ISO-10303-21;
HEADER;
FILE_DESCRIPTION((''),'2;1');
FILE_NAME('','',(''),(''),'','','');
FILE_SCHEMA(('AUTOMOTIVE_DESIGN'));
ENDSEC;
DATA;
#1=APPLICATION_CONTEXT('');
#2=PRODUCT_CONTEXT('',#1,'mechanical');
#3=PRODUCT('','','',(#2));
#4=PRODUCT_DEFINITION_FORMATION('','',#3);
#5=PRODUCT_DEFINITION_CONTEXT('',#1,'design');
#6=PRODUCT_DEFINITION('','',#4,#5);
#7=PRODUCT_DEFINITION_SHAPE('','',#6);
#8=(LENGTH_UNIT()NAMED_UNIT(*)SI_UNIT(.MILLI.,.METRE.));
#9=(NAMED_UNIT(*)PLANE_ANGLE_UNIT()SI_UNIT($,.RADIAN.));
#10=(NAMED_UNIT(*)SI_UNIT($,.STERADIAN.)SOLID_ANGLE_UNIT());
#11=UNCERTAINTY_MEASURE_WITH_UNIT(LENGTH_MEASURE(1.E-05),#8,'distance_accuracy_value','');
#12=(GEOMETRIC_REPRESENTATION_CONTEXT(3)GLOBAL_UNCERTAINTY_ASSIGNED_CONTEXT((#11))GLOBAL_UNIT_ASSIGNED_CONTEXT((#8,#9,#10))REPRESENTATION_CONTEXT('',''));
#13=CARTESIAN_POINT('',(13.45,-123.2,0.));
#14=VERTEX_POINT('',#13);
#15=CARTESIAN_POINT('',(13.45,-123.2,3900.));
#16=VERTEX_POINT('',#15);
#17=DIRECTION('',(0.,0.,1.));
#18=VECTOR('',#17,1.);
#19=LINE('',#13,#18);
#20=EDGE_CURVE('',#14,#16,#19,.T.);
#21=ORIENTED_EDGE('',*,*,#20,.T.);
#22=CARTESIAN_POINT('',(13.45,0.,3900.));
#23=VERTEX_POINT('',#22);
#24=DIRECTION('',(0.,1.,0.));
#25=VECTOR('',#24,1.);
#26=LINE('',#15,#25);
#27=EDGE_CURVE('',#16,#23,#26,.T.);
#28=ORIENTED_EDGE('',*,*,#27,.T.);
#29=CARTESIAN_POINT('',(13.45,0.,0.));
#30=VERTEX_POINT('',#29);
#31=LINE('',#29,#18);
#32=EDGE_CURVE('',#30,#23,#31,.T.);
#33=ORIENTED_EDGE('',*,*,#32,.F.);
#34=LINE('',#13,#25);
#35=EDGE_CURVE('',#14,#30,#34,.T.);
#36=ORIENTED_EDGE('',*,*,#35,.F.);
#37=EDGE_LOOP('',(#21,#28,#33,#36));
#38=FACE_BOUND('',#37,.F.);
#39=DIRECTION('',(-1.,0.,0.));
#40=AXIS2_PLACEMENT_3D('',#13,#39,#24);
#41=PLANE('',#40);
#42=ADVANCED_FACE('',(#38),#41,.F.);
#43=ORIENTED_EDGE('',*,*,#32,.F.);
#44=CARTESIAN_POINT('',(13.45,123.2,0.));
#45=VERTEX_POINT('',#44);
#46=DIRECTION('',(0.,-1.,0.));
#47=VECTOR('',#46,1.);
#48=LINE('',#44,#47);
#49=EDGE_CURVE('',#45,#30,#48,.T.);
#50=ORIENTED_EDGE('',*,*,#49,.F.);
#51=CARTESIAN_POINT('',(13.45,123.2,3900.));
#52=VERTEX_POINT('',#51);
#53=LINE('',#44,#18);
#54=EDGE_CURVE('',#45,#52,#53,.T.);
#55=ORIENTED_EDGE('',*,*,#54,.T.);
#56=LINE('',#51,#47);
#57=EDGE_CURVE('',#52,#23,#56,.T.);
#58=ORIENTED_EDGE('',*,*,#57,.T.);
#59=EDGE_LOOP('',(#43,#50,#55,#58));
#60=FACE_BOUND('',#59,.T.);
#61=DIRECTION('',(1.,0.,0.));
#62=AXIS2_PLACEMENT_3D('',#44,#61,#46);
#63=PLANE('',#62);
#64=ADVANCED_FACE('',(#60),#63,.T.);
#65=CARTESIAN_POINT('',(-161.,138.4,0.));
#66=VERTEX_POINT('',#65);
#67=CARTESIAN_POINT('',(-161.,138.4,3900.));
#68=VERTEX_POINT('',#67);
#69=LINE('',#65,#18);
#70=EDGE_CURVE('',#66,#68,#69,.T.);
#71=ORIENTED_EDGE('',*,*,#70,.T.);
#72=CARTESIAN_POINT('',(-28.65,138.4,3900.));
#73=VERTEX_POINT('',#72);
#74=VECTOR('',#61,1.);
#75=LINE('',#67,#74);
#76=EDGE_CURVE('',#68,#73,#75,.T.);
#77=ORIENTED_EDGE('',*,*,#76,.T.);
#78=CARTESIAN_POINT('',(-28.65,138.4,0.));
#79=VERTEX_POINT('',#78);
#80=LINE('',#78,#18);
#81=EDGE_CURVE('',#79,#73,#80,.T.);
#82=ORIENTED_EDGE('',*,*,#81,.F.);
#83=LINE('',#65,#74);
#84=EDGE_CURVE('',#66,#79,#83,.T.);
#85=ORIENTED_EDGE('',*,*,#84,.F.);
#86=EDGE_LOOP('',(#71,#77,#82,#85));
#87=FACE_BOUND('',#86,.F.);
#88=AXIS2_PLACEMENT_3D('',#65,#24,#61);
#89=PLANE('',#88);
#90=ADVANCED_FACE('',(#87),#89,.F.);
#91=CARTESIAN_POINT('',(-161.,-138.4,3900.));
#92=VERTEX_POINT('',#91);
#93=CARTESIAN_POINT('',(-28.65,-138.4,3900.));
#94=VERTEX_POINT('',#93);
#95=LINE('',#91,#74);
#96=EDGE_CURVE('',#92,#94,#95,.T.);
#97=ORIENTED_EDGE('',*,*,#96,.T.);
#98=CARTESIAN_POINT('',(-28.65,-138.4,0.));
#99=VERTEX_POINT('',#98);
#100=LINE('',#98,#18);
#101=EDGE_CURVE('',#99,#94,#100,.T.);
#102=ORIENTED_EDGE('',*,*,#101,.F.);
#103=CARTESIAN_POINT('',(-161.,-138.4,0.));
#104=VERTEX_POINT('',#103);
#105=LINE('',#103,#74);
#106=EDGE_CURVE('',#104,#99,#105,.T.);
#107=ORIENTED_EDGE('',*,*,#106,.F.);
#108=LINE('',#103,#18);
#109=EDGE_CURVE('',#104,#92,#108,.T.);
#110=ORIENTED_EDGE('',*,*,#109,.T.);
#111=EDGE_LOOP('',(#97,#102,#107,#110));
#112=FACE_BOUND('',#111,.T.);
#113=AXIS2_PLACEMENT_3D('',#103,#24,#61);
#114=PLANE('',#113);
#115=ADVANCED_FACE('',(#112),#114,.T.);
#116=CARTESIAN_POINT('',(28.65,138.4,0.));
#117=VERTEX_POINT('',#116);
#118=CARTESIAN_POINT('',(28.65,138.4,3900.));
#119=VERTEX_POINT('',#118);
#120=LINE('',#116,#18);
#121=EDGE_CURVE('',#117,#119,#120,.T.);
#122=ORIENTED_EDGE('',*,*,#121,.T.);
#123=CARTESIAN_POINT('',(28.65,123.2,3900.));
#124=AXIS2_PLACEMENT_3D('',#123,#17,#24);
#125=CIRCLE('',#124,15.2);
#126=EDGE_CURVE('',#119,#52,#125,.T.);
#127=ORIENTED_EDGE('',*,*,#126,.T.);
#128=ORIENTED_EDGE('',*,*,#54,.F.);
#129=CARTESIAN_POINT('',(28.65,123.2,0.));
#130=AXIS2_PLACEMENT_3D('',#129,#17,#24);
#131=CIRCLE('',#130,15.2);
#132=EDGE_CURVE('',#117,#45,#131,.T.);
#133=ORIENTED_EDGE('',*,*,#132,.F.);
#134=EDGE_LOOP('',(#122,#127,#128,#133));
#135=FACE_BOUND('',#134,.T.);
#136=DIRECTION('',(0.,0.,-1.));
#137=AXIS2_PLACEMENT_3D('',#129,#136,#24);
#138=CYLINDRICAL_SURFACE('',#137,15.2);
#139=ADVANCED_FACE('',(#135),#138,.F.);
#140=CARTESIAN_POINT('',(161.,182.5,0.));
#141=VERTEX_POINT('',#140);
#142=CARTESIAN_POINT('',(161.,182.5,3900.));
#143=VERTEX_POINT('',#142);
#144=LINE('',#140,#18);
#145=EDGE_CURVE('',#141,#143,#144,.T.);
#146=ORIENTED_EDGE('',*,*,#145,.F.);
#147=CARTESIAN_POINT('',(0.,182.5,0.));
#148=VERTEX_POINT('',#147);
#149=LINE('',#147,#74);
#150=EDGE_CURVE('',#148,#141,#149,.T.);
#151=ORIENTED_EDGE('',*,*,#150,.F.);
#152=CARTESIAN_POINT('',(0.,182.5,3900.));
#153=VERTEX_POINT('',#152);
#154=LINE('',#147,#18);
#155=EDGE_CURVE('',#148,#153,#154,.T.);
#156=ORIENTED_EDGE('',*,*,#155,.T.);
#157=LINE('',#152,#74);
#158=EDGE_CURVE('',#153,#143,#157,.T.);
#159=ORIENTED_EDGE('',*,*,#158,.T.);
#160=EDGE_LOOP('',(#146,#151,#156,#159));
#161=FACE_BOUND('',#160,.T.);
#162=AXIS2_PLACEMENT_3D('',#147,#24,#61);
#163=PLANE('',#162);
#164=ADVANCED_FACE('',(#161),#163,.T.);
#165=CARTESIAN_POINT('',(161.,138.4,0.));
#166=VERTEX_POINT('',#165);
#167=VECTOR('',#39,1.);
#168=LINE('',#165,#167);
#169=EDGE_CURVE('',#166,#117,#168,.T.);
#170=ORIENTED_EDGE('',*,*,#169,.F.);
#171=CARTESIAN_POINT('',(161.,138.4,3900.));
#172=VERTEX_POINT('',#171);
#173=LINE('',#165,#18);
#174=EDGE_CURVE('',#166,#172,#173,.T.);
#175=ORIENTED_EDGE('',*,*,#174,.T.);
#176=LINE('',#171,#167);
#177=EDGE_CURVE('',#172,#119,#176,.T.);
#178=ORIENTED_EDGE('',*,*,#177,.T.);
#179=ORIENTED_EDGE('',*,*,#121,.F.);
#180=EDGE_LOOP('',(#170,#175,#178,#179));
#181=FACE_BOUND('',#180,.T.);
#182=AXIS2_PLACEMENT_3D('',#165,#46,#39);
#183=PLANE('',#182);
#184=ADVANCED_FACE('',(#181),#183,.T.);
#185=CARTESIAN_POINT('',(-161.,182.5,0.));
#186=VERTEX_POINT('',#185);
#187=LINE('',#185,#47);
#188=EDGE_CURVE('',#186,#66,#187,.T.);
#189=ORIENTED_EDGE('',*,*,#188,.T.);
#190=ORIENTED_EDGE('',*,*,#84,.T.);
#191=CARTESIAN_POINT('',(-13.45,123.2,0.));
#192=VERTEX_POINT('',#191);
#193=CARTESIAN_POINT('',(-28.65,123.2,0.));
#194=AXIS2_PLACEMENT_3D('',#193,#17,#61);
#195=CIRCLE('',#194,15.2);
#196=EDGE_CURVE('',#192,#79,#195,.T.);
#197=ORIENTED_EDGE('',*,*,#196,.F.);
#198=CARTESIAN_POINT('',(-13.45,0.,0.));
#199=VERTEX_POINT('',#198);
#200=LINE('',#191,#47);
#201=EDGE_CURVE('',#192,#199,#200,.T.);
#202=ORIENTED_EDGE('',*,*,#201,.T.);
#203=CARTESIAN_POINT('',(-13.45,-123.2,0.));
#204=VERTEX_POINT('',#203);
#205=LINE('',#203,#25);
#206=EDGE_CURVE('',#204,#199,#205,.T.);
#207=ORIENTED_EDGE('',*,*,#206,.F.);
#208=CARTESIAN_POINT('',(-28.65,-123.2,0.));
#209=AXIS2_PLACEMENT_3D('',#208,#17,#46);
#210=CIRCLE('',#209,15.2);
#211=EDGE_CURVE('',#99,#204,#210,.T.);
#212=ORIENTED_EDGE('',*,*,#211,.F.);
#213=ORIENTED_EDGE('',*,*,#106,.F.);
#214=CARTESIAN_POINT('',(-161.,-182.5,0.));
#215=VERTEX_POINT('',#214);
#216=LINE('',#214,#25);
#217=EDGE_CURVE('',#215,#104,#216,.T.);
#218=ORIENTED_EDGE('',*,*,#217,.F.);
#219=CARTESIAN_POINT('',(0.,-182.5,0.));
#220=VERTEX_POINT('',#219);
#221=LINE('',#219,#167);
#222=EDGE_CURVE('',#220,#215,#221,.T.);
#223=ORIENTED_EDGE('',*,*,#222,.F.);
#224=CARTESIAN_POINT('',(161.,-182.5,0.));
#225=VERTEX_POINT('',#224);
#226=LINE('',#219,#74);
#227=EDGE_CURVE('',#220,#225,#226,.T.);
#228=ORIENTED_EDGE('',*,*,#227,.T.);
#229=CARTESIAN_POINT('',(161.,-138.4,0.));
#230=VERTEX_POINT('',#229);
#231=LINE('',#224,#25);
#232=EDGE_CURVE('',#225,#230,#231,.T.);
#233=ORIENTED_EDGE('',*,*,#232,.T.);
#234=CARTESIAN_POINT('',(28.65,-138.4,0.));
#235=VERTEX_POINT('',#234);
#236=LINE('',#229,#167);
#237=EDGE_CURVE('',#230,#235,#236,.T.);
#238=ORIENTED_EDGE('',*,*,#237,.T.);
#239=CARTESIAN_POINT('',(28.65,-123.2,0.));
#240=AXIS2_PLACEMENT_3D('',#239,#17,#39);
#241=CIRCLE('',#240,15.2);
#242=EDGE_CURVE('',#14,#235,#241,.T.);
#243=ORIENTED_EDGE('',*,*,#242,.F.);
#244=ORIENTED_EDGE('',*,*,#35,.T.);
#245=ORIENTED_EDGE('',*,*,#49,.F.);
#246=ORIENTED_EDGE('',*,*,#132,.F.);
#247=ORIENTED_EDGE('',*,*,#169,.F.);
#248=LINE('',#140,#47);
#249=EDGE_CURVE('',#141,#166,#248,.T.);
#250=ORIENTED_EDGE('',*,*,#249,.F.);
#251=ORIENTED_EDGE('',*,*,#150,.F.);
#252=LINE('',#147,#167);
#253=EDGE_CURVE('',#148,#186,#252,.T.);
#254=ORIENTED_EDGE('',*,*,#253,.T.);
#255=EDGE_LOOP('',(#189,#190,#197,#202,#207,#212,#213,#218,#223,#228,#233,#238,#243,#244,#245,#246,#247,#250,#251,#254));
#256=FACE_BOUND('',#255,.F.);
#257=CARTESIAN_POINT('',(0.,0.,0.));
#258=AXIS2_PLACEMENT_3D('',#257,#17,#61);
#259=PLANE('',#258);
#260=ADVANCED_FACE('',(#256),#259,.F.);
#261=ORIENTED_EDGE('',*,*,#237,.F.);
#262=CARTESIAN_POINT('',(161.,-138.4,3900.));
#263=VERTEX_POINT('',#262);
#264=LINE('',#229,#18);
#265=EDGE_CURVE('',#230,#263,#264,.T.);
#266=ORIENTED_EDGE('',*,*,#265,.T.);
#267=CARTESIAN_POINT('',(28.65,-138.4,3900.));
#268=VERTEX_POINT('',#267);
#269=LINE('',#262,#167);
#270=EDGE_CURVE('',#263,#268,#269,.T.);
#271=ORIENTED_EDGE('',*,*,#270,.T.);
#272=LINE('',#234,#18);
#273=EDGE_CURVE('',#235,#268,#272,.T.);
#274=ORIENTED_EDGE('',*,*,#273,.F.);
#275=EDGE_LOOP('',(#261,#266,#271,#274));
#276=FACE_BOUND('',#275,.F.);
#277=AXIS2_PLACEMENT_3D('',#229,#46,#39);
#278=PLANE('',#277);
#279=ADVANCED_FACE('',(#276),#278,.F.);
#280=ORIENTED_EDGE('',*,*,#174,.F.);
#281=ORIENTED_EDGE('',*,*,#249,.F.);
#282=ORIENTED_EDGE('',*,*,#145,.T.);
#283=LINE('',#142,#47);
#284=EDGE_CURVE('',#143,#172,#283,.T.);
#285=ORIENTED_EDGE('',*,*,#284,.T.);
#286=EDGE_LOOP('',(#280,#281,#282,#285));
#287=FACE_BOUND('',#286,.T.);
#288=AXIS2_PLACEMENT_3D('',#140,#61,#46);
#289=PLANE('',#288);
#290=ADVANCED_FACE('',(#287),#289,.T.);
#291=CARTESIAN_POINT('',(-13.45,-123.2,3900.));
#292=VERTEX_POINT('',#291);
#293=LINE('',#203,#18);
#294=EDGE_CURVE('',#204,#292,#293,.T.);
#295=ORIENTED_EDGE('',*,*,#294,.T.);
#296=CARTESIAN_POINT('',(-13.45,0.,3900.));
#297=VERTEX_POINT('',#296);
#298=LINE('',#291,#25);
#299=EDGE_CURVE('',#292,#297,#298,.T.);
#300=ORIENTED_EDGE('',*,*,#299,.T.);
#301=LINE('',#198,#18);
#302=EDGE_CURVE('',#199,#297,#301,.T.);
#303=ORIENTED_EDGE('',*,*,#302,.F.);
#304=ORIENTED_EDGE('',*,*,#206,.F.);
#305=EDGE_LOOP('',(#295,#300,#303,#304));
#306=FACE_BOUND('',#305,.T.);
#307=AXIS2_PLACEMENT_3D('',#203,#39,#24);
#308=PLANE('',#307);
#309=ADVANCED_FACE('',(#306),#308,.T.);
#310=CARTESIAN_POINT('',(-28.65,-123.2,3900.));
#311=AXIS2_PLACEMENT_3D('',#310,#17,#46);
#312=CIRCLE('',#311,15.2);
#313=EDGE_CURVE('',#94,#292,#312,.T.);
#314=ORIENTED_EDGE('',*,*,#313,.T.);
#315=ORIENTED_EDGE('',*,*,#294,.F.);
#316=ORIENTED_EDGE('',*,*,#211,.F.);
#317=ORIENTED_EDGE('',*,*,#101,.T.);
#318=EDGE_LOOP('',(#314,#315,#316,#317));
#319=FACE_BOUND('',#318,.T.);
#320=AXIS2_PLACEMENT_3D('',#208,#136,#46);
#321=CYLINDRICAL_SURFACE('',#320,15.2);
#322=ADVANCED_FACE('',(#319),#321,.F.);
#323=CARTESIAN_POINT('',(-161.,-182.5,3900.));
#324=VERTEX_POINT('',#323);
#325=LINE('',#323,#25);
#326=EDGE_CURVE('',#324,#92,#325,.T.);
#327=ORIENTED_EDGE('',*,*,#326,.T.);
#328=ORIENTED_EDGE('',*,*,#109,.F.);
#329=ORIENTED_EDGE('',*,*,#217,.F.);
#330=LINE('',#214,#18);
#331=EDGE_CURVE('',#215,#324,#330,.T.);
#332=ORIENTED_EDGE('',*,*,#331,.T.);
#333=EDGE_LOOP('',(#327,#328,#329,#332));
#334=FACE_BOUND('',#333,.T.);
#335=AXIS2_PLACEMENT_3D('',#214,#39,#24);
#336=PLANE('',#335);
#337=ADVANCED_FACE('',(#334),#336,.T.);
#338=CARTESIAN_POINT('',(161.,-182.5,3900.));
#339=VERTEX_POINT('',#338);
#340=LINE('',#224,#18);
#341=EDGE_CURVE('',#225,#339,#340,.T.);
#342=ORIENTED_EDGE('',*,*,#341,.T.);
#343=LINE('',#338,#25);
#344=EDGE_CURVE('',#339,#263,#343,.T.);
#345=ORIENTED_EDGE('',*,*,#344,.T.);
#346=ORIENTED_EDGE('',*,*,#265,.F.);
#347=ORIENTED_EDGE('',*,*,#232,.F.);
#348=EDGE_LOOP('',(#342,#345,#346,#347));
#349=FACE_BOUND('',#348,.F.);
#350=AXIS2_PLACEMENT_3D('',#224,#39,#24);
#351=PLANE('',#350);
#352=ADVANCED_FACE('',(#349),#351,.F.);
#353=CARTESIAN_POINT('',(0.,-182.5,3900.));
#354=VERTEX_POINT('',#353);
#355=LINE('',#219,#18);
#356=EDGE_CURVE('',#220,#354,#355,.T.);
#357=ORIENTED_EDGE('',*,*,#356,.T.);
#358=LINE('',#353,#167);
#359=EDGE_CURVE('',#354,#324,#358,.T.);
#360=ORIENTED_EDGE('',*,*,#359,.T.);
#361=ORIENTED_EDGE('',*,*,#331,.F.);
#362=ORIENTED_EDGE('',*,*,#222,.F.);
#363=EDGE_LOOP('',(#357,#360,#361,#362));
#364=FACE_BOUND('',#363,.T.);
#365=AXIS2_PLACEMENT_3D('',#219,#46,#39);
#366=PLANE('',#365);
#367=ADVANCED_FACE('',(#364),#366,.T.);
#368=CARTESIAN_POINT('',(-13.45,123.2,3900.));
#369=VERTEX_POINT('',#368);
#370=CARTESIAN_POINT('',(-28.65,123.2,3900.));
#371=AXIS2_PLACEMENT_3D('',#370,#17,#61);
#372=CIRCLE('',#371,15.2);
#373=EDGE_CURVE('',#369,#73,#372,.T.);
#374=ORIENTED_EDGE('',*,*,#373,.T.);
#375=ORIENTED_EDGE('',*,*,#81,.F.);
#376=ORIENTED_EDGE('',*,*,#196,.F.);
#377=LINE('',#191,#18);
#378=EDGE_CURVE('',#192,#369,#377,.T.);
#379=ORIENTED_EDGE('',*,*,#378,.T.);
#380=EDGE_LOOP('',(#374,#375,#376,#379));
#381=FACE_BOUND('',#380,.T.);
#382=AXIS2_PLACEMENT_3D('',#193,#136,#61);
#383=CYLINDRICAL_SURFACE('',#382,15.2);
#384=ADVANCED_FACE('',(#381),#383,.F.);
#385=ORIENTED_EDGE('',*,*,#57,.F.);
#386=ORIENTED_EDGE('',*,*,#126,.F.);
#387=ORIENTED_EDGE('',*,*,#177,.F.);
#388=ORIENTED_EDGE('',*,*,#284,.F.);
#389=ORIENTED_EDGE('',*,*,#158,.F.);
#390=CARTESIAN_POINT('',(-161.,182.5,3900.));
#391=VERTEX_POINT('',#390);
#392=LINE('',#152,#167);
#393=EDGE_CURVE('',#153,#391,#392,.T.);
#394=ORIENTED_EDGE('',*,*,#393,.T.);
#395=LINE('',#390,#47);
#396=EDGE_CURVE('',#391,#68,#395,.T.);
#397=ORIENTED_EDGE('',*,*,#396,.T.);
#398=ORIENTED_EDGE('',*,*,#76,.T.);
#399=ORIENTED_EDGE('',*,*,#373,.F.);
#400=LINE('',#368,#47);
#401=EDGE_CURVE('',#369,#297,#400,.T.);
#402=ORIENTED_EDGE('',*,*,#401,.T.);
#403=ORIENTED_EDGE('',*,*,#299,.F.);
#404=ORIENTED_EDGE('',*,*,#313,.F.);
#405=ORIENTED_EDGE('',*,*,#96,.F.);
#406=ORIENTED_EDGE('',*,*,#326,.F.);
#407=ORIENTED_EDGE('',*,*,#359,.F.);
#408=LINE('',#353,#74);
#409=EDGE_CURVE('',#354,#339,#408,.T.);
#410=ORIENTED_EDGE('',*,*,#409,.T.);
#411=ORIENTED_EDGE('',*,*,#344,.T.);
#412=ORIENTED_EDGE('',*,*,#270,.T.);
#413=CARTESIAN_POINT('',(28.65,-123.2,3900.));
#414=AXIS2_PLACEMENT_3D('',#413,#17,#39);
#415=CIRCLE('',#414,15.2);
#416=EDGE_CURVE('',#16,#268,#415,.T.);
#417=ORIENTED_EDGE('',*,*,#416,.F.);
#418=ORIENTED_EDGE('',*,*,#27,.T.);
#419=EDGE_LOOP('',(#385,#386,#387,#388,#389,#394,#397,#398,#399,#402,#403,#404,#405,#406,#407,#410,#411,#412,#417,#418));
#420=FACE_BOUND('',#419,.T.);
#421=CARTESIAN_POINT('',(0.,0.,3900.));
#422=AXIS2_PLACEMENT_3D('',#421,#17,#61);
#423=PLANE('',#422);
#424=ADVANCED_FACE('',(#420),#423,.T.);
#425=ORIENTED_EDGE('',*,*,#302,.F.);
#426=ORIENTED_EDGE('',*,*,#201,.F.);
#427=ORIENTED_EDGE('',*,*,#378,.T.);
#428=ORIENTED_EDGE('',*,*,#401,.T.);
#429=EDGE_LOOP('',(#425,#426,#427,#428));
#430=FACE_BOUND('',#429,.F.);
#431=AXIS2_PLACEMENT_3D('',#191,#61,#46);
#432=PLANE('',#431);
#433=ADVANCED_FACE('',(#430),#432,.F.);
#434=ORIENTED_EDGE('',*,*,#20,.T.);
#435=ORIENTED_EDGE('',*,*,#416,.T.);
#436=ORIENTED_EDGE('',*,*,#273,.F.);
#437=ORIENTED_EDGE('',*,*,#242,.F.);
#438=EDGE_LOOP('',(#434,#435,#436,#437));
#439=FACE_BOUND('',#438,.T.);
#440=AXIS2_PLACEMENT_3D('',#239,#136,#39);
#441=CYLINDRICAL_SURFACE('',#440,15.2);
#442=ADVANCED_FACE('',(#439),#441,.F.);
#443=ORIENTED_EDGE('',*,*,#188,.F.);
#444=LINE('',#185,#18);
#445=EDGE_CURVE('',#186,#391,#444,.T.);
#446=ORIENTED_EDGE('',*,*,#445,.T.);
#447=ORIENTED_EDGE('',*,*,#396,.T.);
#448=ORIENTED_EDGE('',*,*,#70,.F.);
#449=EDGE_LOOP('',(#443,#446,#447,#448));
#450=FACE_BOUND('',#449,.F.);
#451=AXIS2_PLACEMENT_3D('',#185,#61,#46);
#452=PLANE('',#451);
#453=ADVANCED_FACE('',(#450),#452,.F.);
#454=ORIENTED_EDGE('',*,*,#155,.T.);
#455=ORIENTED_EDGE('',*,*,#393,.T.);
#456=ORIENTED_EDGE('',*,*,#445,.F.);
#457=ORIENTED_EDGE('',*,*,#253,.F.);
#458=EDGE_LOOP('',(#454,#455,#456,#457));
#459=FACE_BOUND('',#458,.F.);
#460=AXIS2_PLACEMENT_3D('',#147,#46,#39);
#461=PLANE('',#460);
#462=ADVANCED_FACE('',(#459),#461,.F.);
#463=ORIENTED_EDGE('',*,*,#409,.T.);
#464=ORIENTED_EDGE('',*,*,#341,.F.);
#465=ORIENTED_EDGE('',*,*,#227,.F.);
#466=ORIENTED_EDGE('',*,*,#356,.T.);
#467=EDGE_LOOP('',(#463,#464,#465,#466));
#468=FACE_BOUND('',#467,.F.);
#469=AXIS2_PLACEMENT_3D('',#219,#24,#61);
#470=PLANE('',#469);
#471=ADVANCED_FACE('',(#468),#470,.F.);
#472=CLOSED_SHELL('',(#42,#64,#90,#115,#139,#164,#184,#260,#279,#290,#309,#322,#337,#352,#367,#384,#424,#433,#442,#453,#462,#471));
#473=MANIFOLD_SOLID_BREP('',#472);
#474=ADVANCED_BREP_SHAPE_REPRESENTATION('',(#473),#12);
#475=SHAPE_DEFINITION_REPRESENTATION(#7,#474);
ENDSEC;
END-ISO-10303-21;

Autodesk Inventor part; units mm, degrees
ref_plane "YZ Plane" through (0, 0, 0) normal (1, 0, 0) x (0, 1, 0)
ref_plane "Start plane" through (0, 0, 0) normal (0, 0, 1) x (1, 0, 0)
ref_plane "End plane" through (0, 0, 3900) normal (0, 0, 1) x (1, 0, 0)
sketch "Sketch" plane through (0, 0, 0) normal (0, 0, 1) x (1, 0, 0)
  line L0 (-161, -182.5) -> (-161, -138.4)
  line L1 (-161, -138.4) -> (-28.65, -138.4)
  line L2 (-13.45, -123.2) -> (-13.45, 0)
  line L3 (-13.45, 0) -> (0, 0) construction
  line L4 (0, 0) -> (0, -182.5) construction
  line L5 (0, -182.5) -> (-161, -182.5)
  line L6 (-60, 0) -> (80, 0) construction
  line L7 (0, -60) -> (0, 80) construction
  line L8 (161, -182.5) -> (161, -138.4)
  line L9 (161, -138.4) -> (28.65, -138.4)
  line L10 (13.45, -123.2) -> (13.45, 0)
  line L11 (13.45, 0) -> (0, 0) construction
  line L12 (0, -182.5) -> (161, -182.5)
  line L13 (-161, 182.5) -> (-161, 138.4)
  line L14 (-161, 138.4) -> (-28.65, 138.4)
  line L15 (-13.45, 123.2) -> (-13.45, 0)
  line L16 (0, 182.5) -> (-161, 182.5)
  line L17 (161, 182.5) -> (161, 138.4)
  line L18 (161, 138.4) -> (28.65, 138.4)
  line L19 (0, 182.5) -> (161, 182.5)
  line L20 (13.45, 123.2) -> (13.45, 0)
  arc A0 (-13.45, 123.2) -> (-28.65, 138.4) centre (-28.65, 123.2) ccw
  arc A1 (28.65, 138.4) -> (13.45, 123.2) centre (28.65, 123.2) ccw
  arc A2 (13.45, -123.2) -> (28.65, -138.4) centre (28.65, -123.2) ccw
  arc A3 (-28.65, -138.4) -> (-13.45, -123.2) centre (-28.65, -123.2) ccw
  line L21 (0, 108) -> (0, -88) construction
  line L22 (-88, 0) -> (108, 0) construction
  point P0 (-13.45, -138.4)
  point P1 (13.45, -138.4)
  point P2 (-13.45, 138.4)
  point P3 (13.45, 138.4)
  dimension "d1" = 182.5
  dimension "d2" = 44.1
  dimension "d3" = 161
  dimension "d4" = 13.45
  dimension "d10" = 15.2
extrude "Body" add sketch "Sketch" along normal up to surface (3900 mm away) from surface at 0
sketch "Sketch4" plane through (0, 0, 0) normal (0, 0, 1) x (1, 0, 0)
  line L0 (0, 0) -> (10, 0)
ref_plane "Work Plane3" through (0, 0, 0) normal (0, -1, 0) x (1, 0, 0)
sketch "Sketch5" plane through (0, 0, 0) normal (0, -1, 0) x (1, 0, 0)
  line L0 (-2, 0) -> (12, 0) projected
  line L1 (-2, 3900) -> (12, 3900) projected
  dimension "d14" = 3900
equation "\"d1\" = 0.5 * G_H"
equation "\"d2\" = G_T1"
equation "\"d3\" = 0.5 * G_W"
equation "\"d4\" = 0.5 * G_T"
equation "\"d10\" = G_IR"
equation "\"d5\" = G_L"
equation "\"G_W\" = 322"
equation "\"G_H\" = 365"
equation "\"G_T\" = 26.9"
equation "\"G_T1\" = 44.1"
equation "\"G_IR\" = 15.2"
equation "\"G_L\" = d14"
equation "\"G_OFFSET_START\" = 0"
equation "\"G_OFFSET_END\" = 0"
properties part number "AS 3679 - 310 UC - 283 - 3900" material "Steel, Mild"
